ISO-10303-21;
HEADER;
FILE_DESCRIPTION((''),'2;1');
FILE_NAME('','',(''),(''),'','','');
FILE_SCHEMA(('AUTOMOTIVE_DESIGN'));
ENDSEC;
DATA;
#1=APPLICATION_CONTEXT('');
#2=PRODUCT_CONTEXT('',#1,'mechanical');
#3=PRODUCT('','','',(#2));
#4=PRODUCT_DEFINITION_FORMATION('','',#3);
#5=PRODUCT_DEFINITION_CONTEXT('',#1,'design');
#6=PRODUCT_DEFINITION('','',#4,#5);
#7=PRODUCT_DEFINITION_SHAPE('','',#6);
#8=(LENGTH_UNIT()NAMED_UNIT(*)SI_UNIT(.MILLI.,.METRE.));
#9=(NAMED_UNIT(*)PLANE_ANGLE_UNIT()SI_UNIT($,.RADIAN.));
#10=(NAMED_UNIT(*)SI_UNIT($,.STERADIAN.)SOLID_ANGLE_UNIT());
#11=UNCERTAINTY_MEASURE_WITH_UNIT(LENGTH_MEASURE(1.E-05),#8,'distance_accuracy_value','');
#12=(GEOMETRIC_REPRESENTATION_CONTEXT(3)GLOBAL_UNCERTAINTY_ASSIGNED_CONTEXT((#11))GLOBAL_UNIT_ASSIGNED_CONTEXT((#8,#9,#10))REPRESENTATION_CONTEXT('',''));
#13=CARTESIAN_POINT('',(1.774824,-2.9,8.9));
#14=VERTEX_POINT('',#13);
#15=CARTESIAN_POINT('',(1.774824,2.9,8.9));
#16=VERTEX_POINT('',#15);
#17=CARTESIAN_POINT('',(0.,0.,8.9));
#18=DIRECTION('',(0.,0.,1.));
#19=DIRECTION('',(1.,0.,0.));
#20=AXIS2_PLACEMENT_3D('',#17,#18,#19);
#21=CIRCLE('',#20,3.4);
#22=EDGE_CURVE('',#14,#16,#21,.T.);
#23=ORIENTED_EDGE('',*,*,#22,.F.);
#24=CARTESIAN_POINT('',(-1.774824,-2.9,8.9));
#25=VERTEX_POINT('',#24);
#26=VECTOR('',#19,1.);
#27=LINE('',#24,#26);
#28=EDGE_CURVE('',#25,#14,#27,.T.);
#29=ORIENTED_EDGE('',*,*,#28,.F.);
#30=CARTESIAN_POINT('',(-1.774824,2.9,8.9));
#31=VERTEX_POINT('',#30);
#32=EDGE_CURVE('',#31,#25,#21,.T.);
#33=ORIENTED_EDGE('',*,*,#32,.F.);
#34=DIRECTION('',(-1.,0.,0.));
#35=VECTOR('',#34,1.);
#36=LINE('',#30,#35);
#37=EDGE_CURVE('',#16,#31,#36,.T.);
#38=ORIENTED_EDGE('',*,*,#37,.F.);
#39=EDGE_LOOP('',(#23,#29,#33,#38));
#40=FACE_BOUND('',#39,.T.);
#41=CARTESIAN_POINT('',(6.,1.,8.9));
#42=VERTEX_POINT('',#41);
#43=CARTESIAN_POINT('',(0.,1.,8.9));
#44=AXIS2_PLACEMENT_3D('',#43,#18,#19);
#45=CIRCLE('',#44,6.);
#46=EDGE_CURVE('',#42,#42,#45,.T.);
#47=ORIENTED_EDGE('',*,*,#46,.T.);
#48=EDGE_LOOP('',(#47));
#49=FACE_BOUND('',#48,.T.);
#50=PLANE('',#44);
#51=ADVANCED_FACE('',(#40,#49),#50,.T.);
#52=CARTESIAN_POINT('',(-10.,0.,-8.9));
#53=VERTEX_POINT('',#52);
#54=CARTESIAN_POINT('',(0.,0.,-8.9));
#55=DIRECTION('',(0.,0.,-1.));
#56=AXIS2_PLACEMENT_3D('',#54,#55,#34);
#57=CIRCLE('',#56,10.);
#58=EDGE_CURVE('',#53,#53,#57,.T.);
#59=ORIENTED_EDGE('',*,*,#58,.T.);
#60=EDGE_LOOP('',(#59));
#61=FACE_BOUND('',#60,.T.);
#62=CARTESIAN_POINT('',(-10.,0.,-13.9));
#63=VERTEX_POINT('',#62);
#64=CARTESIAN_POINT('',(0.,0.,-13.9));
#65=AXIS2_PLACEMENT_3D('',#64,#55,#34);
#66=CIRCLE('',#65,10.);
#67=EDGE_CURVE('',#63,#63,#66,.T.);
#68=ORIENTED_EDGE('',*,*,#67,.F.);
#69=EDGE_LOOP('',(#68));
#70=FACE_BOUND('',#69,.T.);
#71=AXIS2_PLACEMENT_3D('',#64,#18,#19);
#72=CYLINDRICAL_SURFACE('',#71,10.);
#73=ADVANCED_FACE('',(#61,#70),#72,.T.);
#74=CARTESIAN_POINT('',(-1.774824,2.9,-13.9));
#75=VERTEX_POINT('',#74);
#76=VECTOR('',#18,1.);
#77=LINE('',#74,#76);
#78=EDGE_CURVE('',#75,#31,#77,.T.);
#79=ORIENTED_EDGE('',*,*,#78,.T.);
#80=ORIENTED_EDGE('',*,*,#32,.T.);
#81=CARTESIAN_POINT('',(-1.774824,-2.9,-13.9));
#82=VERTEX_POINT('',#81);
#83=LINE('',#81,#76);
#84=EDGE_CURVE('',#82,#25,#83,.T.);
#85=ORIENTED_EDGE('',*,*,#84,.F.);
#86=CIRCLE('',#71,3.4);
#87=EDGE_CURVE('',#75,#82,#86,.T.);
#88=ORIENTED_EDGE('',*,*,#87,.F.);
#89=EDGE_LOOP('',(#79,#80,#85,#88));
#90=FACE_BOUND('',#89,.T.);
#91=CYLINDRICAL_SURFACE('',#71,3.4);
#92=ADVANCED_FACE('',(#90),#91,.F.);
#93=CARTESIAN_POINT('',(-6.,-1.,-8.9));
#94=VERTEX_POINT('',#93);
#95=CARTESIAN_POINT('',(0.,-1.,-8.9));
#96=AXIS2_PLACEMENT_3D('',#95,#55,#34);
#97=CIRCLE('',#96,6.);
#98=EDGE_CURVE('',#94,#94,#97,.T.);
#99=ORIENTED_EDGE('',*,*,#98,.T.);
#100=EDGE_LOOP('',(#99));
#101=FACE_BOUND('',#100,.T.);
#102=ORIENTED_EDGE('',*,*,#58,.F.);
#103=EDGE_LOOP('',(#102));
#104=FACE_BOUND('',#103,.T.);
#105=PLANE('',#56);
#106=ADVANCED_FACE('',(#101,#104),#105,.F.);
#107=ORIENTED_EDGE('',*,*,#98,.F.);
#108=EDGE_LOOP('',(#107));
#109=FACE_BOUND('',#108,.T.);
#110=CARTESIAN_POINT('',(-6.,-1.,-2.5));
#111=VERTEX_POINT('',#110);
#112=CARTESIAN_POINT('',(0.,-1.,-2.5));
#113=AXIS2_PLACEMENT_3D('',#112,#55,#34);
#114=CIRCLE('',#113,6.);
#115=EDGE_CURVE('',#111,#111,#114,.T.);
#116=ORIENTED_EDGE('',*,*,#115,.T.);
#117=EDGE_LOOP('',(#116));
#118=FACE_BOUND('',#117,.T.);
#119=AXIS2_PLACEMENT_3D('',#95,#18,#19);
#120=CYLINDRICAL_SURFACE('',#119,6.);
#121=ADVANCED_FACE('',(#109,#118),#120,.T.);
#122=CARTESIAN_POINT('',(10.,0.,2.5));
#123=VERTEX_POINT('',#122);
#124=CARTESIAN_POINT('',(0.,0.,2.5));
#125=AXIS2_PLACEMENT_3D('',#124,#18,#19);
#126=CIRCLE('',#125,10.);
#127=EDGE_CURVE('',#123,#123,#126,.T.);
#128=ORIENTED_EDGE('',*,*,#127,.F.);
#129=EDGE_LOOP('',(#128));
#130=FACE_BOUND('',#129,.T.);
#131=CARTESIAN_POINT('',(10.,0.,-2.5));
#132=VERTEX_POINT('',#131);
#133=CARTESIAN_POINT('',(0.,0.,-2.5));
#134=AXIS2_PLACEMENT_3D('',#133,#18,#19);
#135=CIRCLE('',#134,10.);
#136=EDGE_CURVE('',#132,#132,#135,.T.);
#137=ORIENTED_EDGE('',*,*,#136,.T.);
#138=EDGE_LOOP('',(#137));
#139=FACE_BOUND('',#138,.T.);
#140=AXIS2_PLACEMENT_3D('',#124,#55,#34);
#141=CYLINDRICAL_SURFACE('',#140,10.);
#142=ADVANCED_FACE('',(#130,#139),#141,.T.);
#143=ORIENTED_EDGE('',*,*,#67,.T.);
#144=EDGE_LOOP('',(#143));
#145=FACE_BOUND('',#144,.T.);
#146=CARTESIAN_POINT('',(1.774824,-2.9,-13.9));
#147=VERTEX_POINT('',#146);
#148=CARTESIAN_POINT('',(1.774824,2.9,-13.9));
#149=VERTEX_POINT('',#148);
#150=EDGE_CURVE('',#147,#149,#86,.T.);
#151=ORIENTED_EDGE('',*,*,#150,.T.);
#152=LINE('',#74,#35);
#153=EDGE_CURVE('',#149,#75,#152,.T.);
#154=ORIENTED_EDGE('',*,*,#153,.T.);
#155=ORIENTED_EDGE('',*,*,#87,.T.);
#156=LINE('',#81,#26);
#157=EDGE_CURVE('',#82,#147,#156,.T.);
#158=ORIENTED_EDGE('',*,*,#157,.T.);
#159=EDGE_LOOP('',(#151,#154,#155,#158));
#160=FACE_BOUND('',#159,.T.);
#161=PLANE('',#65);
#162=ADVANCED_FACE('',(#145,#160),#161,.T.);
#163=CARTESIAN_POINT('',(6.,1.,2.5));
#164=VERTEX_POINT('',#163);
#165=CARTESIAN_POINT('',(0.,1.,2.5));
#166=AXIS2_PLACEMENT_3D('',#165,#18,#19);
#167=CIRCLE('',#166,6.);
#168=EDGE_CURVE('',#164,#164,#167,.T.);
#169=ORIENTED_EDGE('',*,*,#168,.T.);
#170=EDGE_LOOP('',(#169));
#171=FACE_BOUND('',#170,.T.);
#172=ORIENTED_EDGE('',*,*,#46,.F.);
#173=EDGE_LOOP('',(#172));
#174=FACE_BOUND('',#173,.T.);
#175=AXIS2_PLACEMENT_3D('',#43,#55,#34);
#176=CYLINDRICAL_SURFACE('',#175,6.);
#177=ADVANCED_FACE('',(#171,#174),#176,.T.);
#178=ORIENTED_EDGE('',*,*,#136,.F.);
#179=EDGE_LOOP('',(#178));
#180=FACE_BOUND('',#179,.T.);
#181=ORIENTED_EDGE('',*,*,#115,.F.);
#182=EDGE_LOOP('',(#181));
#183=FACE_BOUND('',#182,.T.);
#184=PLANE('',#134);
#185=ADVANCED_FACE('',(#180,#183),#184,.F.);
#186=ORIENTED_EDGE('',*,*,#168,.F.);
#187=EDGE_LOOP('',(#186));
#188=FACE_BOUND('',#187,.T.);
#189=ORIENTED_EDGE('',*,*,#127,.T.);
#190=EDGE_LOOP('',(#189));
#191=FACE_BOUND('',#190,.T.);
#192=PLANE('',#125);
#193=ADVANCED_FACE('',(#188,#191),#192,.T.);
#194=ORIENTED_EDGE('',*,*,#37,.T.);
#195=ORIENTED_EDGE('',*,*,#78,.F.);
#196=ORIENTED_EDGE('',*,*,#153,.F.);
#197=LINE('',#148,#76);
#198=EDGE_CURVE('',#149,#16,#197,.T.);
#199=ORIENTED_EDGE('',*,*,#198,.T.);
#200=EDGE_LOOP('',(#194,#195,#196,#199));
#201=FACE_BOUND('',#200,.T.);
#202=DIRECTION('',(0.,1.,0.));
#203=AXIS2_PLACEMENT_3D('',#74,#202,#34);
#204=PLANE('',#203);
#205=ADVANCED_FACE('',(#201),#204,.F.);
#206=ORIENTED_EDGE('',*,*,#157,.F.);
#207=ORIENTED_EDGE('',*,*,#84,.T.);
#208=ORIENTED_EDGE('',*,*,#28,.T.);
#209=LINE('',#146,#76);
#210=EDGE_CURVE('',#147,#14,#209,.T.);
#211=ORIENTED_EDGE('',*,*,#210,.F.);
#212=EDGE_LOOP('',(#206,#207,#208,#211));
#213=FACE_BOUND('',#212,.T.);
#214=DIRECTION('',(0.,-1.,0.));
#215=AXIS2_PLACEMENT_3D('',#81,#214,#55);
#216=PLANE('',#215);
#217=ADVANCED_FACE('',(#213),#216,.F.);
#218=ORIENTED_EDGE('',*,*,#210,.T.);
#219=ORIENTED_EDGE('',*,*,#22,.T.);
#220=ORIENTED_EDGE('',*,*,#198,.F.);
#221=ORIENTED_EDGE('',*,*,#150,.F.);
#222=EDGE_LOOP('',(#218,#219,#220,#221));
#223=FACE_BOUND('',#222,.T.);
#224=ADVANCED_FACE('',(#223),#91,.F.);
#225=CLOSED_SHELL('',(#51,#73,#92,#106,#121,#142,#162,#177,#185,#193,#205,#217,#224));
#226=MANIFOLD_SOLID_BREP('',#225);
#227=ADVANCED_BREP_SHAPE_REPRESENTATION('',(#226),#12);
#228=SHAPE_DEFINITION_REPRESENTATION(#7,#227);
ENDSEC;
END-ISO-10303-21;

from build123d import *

# Parameters (mm, degrees)
SKETCH6_R               = 10
BOSS_EXTRUDE4_DEPTH     = 2.5
SKETCH7_R               = 6
BOSS_EXTRUDE5_DEPTH     = 6.4
SKETCH8_R               = 6
BOSS_EXTRUDE6_DEPTH     = 6.4
SKETCH12_R              = 10
BOSS_EXTRUDE8_DEPTH     = 5
CUT_EXTRUDE1_DEPTH      = 7.4
CUT_EXTRUDE1_DEPTH_BACK = 17.4


with BuildPart() as part:
    # Sketch6 → Boss-Extrude4 (new body, symmetric)
    with BuildSketch(Plane.XY):
        Circle(SKETCH6_R)
    extrude(amount=BOSS_EXTRUDE4_DEPTH, both=True)

    # Sketch7 → Boss-Extrude5 (add)
    with BuildSketch(Plane.XY.offset(2.5)):
        with Locations((0, 1)):
            Circle(SKETCH7_R)
    extrude(amount=BOSS_EXTRUDE5_DEPTH)

    # Sketch8 → Boss-Extrude6 (add)
    with BuildSketch(Plane(origin=(0, 0, -2.5), x_dir=(-1, 0, 0), z_dir=(0, 0, -1))):
        with Locations((0, -1)):
            Circle(SKETCH8_R)
    extrude(amount=BOSS_EXTRUDE6_DEPTH)

    # Sketch12 → Boss-Extrude8 (add)
    with BuildSketch(Plane(origin=(0, 0, -8.9), x_dir=(-1, 0, 0), z_dir=(0, 0, -1))):
        Circle(SKETCH12_R)
    extrude(amount=BOSS_EXTRUDE8_DEPTH)

    # Sketch11 → Cut-Extrude1 (cut, two sides)
    with BuildSketch(Plane.XY.offset(2.5)) as cut_extrude1_sk:
        with BuildLine():
            Line((-1.774823935, -2.9), (1.774823935, -2.9))
            ThreePointArc((1.774823935, -2.9), (3.4, 0), (1.774823935, 2.9))
            Line((1.774823935, 2.9), (-1.774823935, 2.9))
            ThreePointArc((-1.774823935, 2.9), (-3.4, 0), (-1.774823935, -2.9))
        make_face()
    extrude(amount=CUT_EXTRUDE1_DEPTH, mode=Mode.SUBTRACT)
    extrude(cut_extrude1_sk.sketch, amount=-CUT_EXTRUDE1_DEPTH_BACK, mode=Mode.SUBTRACT)


solid = part.part
